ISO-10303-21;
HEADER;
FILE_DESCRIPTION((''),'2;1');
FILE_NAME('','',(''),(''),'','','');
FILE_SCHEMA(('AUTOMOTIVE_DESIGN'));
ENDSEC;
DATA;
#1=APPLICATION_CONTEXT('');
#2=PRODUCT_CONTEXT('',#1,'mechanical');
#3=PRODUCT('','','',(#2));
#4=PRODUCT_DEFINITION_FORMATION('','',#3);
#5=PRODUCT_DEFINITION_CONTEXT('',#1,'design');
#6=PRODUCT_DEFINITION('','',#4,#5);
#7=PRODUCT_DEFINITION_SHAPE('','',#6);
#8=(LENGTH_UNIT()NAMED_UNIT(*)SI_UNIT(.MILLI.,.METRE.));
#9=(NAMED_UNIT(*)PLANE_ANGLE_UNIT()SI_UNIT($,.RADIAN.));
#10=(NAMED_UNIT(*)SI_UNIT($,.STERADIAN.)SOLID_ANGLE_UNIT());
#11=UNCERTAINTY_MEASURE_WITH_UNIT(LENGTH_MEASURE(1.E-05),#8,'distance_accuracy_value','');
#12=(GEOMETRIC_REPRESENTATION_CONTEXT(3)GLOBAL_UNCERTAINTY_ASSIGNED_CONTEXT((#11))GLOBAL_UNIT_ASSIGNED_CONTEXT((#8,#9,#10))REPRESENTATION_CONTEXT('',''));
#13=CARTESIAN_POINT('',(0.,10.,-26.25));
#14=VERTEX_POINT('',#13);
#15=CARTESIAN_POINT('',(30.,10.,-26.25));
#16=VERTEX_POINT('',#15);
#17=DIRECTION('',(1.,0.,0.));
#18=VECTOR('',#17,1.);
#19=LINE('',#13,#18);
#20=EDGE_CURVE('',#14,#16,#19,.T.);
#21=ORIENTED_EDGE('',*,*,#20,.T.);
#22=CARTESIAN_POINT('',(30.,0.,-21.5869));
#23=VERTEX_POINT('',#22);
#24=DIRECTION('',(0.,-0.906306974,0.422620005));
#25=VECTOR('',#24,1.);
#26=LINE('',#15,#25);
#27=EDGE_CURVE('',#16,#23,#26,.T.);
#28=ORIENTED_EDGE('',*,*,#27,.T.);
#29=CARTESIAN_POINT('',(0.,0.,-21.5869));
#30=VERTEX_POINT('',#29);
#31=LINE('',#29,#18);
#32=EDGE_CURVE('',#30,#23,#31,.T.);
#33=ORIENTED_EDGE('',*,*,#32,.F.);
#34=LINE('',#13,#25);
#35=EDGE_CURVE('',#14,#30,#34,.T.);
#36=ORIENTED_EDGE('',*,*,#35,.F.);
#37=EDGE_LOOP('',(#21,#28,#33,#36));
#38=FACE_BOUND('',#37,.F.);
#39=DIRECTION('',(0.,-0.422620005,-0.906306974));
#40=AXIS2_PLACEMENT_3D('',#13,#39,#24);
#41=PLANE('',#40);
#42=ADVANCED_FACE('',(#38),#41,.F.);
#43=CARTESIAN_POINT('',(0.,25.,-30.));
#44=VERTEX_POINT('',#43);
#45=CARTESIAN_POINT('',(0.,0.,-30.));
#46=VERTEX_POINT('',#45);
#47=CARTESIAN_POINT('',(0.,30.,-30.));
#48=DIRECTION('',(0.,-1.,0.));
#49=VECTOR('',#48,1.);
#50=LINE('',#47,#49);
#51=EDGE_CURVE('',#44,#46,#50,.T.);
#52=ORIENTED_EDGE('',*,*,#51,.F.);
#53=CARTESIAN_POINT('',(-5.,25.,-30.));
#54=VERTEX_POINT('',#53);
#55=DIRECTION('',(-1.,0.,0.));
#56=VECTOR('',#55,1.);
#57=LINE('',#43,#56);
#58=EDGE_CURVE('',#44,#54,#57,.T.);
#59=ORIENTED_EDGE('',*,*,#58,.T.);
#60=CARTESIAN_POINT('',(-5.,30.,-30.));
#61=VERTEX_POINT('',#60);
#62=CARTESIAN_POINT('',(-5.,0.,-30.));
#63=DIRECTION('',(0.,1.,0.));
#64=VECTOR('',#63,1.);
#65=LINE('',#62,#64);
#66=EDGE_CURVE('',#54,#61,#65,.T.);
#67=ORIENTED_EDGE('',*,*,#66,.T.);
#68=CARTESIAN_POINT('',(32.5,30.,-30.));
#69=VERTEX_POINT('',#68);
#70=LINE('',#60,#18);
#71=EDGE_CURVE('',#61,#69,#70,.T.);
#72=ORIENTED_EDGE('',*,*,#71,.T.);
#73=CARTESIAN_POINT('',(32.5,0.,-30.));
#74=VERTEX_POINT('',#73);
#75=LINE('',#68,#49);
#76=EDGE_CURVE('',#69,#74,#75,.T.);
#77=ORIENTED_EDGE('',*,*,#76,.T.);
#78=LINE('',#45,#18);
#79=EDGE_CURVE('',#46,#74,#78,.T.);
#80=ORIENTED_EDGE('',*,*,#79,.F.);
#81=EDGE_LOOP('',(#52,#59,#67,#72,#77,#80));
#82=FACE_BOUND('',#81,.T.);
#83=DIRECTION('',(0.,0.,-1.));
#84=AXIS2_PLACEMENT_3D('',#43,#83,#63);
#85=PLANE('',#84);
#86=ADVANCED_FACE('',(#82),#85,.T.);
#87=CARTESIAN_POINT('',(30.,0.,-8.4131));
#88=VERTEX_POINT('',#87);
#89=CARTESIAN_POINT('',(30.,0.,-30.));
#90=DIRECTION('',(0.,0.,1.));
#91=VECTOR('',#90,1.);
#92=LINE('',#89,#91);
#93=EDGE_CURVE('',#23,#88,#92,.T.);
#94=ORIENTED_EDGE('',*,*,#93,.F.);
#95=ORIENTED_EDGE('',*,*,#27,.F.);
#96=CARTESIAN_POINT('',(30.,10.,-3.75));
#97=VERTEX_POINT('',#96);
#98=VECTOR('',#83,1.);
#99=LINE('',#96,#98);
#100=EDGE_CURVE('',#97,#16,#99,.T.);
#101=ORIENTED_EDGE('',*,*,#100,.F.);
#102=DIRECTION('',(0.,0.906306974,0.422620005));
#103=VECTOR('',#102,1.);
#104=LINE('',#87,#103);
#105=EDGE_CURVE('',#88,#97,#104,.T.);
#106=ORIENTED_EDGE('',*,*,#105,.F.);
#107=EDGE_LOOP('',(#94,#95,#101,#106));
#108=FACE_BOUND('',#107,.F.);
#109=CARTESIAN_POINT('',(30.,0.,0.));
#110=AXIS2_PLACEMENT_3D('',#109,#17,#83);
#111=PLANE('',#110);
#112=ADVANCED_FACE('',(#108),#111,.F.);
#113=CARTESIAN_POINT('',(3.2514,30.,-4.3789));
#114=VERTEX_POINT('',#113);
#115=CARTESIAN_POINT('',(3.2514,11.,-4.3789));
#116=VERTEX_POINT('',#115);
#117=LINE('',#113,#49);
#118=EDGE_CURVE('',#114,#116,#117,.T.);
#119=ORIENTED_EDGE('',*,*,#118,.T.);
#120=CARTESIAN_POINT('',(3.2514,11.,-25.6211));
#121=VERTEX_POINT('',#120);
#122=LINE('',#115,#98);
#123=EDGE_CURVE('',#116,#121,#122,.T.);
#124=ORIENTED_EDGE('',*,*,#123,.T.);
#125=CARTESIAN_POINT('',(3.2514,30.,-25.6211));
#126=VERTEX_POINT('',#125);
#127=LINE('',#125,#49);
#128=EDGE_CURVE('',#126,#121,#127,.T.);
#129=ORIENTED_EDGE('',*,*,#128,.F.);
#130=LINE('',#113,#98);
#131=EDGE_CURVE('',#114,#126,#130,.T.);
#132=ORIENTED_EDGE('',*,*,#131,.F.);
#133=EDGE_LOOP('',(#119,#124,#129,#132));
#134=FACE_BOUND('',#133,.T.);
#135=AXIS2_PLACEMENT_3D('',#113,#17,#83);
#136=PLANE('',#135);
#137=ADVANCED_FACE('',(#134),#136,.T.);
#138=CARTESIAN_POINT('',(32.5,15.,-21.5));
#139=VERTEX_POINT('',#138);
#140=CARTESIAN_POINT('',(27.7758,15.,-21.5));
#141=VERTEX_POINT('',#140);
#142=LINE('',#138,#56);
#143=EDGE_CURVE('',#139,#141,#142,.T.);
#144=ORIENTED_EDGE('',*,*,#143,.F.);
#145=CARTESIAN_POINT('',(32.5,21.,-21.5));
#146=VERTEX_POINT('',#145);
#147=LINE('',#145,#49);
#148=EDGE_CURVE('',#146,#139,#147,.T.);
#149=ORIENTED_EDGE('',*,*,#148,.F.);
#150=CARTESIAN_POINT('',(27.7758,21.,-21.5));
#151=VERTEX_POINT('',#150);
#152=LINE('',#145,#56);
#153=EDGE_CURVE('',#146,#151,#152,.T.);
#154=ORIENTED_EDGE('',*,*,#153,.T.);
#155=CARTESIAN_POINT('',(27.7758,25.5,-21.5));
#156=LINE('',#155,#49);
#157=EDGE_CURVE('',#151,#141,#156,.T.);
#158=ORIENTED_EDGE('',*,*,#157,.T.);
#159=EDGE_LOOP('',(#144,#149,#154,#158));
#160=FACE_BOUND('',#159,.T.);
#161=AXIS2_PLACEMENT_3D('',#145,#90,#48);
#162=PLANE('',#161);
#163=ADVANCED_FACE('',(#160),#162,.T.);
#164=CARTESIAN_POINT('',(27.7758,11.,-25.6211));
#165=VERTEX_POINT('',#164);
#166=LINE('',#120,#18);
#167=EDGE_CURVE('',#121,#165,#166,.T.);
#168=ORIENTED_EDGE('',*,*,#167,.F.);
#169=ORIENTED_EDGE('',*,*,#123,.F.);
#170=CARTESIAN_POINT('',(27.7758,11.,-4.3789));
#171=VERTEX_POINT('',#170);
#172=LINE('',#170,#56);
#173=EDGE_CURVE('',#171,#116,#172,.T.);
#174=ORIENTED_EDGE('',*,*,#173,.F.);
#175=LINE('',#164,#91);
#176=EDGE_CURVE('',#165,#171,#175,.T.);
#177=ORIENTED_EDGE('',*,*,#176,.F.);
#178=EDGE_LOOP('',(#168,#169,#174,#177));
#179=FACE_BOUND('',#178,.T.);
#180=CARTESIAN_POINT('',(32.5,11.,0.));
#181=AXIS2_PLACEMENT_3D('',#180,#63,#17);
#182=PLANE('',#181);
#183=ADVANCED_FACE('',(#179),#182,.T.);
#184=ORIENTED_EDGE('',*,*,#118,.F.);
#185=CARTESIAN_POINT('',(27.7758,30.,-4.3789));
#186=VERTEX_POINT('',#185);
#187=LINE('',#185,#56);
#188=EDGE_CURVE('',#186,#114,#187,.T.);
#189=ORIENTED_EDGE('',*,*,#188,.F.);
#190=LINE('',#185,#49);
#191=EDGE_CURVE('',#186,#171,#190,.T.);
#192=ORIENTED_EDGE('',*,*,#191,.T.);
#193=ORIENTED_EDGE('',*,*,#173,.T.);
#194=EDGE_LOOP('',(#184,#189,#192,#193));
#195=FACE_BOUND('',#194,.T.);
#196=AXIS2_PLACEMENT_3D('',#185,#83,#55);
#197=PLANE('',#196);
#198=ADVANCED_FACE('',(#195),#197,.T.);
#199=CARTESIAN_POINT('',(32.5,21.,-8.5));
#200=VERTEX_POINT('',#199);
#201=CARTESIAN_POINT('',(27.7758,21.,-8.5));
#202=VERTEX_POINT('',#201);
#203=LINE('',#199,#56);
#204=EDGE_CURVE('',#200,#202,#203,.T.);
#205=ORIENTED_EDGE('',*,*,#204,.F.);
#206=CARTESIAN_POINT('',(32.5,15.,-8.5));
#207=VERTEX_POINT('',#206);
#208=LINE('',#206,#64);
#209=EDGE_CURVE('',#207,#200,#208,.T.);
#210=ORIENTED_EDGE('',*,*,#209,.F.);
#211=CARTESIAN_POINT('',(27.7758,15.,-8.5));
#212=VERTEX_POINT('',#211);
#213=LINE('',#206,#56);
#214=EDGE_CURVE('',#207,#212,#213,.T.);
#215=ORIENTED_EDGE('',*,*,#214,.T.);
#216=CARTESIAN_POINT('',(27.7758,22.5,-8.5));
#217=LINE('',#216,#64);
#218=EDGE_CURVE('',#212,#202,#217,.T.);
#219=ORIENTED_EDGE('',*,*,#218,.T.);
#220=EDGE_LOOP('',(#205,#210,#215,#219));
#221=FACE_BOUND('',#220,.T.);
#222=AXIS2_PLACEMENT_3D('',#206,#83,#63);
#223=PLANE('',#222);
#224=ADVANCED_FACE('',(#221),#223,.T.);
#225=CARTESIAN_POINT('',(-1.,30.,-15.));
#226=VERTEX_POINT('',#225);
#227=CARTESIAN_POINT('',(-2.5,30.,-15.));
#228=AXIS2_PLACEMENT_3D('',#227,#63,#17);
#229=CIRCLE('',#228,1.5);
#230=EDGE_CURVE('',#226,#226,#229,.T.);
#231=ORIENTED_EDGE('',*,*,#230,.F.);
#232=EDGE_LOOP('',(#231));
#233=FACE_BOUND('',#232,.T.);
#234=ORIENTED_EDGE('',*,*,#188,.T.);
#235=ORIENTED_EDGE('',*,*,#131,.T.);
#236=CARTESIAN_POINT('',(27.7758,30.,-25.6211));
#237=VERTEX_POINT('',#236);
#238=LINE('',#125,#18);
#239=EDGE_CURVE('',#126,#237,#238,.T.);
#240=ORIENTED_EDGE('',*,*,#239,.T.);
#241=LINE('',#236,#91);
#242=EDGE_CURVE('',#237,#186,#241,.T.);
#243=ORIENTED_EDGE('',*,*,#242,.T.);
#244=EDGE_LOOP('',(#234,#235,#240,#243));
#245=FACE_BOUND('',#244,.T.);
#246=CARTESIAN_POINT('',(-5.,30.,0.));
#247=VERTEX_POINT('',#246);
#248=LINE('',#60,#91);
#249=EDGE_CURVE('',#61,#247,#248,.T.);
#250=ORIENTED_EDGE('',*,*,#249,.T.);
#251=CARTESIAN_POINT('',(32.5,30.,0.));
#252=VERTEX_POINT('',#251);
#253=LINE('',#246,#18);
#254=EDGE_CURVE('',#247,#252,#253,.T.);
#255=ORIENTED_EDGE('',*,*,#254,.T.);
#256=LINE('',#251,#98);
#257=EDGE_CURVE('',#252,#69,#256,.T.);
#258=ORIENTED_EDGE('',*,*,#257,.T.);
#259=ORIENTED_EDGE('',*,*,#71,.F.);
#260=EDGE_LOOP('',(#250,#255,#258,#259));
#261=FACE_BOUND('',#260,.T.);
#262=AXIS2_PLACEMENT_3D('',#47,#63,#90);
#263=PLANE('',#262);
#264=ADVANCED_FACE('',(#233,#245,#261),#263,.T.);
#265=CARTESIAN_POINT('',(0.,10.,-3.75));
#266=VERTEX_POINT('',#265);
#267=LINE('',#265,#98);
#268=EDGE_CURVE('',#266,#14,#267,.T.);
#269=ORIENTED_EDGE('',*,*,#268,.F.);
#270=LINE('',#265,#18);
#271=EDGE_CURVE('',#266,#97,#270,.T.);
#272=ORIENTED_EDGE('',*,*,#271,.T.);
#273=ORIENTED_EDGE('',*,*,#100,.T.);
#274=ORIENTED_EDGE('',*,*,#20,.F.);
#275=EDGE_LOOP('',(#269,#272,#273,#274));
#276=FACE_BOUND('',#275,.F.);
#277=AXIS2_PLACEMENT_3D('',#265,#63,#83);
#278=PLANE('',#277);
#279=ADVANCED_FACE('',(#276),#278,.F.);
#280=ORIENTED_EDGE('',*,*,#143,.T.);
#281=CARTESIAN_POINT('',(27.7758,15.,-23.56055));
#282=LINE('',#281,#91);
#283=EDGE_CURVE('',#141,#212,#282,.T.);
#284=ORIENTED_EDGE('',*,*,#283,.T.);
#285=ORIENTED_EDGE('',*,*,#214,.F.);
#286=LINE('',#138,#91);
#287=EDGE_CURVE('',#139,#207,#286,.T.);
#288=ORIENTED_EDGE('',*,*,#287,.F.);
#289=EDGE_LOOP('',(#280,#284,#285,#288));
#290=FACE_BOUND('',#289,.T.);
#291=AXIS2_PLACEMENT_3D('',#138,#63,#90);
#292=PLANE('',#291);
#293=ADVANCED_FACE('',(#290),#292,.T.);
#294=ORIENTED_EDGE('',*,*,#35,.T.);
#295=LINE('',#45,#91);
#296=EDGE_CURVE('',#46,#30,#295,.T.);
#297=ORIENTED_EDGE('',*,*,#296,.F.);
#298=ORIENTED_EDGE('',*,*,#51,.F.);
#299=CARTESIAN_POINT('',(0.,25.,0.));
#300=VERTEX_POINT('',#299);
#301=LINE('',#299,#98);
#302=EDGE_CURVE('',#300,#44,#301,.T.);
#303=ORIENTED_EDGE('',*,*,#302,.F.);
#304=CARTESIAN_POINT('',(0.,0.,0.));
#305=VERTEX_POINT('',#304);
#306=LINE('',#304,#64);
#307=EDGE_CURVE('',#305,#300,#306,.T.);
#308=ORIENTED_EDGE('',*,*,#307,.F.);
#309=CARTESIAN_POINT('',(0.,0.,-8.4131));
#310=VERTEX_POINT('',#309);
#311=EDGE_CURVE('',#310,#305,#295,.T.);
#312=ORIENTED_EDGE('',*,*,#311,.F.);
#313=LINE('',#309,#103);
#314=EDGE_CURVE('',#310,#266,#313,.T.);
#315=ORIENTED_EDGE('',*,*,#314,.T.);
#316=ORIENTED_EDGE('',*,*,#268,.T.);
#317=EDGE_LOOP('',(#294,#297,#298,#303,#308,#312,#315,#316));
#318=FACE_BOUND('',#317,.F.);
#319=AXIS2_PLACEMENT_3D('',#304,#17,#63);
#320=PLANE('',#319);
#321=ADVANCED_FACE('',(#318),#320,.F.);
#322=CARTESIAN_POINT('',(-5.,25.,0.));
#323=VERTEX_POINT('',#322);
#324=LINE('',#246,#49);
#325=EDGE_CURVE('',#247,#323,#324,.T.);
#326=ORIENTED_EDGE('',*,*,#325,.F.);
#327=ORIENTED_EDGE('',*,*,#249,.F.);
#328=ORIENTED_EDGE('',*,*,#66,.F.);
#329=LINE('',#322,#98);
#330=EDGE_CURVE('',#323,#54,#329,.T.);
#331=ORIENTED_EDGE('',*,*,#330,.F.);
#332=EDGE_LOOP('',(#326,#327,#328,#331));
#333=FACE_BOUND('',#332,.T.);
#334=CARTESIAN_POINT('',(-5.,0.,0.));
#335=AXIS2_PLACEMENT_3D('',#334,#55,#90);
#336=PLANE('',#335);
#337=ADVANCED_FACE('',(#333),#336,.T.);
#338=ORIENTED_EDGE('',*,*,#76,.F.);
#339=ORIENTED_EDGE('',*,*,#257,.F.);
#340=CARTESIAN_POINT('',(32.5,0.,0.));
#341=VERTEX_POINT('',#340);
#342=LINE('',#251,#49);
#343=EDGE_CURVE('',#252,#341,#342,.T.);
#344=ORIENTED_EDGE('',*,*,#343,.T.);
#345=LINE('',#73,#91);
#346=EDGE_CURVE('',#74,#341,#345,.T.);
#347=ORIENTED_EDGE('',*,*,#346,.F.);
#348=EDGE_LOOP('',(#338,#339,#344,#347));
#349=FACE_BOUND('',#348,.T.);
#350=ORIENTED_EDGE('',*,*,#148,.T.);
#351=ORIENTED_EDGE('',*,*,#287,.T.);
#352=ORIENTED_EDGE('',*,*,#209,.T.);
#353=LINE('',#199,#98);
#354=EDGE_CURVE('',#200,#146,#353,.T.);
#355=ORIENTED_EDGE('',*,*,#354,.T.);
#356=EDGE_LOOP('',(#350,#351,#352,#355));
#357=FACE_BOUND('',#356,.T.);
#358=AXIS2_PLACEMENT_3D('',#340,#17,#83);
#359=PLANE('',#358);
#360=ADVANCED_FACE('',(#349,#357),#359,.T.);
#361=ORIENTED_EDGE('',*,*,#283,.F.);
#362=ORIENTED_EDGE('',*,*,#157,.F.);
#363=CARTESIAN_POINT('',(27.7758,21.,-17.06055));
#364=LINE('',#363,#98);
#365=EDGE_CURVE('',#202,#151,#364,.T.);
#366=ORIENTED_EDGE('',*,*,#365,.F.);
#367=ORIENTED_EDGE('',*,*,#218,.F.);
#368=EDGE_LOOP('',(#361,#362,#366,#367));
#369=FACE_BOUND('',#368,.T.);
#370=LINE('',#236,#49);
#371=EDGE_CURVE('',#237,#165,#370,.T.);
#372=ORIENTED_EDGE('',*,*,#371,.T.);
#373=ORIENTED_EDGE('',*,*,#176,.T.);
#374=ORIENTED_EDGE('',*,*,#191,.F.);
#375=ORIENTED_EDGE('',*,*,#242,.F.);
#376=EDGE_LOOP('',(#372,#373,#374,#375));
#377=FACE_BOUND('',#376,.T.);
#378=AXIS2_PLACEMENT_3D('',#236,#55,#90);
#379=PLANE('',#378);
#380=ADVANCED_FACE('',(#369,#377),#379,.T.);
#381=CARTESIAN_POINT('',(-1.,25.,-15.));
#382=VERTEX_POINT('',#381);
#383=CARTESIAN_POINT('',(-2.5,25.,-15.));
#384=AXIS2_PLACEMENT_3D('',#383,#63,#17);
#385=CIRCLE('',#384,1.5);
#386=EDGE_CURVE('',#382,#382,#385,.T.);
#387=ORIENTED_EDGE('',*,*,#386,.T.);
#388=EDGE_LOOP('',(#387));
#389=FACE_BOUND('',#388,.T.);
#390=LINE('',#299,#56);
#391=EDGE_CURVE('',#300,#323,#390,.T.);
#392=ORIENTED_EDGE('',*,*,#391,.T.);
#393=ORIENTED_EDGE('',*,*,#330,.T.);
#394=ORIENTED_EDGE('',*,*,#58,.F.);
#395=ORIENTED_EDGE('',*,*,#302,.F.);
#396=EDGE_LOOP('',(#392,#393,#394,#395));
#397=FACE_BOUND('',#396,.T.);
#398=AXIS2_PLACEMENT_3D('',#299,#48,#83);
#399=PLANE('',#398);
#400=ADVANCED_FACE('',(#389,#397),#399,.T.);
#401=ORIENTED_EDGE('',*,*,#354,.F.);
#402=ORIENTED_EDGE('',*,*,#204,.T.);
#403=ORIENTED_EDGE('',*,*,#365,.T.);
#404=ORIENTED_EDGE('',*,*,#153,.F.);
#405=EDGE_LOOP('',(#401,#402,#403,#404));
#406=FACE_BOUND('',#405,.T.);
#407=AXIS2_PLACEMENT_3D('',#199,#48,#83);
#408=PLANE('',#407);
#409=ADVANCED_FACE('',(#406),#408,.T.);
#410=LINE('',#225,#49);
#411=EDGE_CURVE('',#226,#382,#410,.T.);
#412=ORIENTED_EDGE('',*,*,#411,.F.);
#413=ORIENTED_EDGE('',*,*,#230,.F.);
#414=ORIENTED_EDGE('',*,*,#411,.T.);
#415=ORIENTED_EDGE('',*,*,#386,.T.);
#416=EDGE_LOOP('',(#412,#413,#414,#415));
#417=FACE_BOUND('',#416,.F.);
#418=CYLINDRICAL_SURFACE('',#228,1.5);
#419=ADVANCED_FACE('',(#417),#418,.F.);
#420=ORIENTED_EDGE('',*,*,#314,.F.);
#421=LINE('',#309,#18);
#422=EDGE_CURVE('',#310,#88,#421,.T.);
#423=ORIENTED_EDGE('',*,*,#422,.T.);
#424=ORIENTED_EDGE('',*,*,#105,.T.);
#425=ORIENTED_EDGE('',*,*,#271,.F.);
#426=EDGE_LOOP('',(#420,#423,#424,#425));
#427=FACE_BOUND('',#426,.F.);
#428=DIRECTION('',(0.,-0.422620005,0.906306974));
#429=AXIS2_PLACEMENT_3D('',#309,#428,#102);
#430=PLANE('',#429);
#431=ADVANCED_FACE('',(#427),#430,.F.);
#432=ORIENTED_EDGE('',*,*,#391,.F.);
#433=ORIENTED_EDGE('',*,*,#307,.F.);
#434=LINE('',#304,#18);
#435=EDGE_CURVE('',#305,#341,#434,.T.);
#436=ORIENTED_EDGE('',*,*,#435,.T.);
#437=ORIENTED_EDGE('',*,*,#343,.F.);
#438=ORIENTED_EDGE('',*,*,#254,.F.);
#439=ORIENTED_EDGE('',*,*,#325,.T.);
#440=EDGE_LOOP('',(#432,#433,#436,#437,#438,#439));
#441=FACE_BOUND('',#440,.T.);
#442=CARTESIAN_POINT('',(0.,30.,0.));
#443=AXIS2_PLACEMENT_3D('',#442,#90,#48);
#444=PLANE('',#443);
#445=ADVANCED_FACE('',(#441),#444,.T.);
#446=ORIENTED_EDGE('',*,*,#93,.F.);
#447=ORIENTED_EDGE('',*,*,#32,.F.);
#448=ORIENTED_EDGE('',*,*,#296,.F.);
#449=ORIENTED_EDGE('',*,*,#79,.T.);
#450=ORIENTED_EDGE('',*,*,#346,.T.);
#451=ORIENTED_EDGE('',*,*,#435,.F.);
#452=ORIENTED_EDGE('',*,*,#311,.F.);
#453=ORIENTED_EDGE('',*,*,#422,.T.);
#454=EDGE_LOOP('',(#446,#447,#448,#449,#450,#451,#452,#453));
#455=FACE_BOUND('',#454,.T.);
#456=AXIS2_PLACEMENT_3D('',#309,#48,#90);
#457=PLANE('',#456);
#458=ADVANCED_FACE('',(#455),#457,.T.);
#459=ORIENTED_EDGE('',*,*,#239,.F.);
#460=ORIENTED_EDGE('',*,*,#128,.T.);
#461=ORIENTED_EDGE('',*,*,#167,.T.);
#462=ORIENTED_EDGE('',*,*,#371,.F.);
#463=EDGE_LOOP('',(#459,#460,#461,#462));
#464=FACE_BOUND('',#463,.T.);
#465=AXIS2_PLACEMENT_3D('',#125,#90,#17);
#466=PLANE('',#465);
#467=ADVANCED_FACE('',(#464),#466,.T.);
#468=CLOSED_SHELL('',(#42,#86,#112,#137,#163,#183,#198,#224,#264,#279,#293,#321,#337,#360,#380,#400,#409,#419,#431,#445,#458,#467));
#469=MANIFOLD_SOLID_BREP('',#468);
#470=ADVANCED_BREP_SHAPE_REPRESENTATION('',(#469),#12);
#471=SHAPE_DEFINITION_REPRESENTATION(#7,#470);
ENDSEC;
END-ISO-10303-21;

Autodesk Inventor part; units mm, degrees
ref_plane "YZ Plane" through (0, 0, 0) normal (1, 0, 0) x (0, 1, 0)
ref_plane "XZ Plane" through (0, 0, 0) normal (0, 1, 0) x (-1, 0, 0)
ref_plane "XY Plane" through (0, 0, 0) normal (0, 0, 1) x (1, 0, 0)
sketch "Sketch1" plane through (0, 0, 0) normal (1, 0, 0) x (0, 1, 0)
  line L0 (0, 0) -> (30, 0)
  line L1 (30, 0) -> (30, -30)
  line L2 (30, -30) -> (0, -30)
  line L3 (0, -30) -> (0, 0)
  line L4 (0, -8.4131) -> (10, -3.75)
  line L5 (10, -3.75) -> (10, -26.25)
  line L6 (10, -26.25) -> (0, -21.5869)
  point P0 (10, -15)
  point P1 (0, -15)
  dimension "d0" = 30
  dimension "d1" = 30
  dimension "d2" = 10
  dimension "d3" = 22.5
  dimension "d4" = 65
  dimension "d5" = 65
extrude "Extrusion1" add sketch "Sketch1" along normal blind 30 contours L0 L1 L2 L3 L6 L5 L4
sketch "Sketch2" plane through (30, 0, 0) normal (1, 0, 0) x (0, 0, -1)
  line L0 (0, 30) -> (0, 0) projected
  line L1 (21.5869, 0) -> (30, 0) projected
  line L2 (0, 30) -> (30, 30)
  line L3 (30, 30) -> (30, 0)
  line L4 (30, 0) -> (0, 0)
  line L5 (0, 0) -> (0, 30)
  point P0 (21.5869, 0)
extrude "Extrusion2" add sketch "Sketch2" along normal blind 2.5
sketch "Sketch3" plane through (0, 0, 0) normal (-1, 0, 0) x (0, 0, 1)
  line L0 (-30, 0) -> (-30, 30) projected
  line L1 (0, 30) -> (0, 0) projected
  line L2 (-30, 30) -> (0, 30)
  line L3 (0, 30) -> (0, 25)
  line L4 (0, 25) -> (-30, 25)
  line L5 (-30, 25) -> (-30, 30)
  point P0 (0, 30)
  dimension "d10" = 5
extrude "Extrusion3" add sketch "Sketch3" along normal blind 5
sketch "Sketch4" plane through (32.5, 30, 0) normal (0, 1, 0) x (1, 0, 0)
  line L0 (-32.5, 0) -> (-37.5, 0) projected
  line L1 (-32.5, 0) -> (-32.5, 30) construction
  circle A0 centre (-35, 15) radius 1.5
  dimension "d13" = 3
extrude "Extrusion4" cut sketch "Sketch4" against normal through all
sketch "Sketch5" plane through (32.5, 30, 0) normal (0, 1, 0) x (1, 0, 0)
  line L0 (-29.2486, 25.6211) -> (-4.7242, 25.6211)
  line L1 (-4.7242, 25.6211) -> (-4.7242, 4.3789)
  line L2 (-4.7242, 4.3789) -> (-29.2486, 4.3789)
  line L3 (-29.2486, 4.3789) -> (-29.2486, 25.6211)
  line L4 (0, 30) -> (0, 0) projected
  point P0 (-32.5, 0)
  point P1 (0, 15)
  point P2 (-4.7242, 15)
  point P3 (0, 15)
extrude "Extrusion5" cut sketch "Sketch5" against normal blind 19
sketch "Sketch6" plane through (32.5, 0, 0) normal (1, 0, 0) x (0, 0, -1)
  line L0 (25.6211, 11) -> (4.3789, 11) projected
  line L1 (8.5, 21) -> (21.5, 21)
  line L2 (21.5, 21) -> (21.5, 15)
  line L3 (21.5, 15) -> (8.5, 15)
  line L4 (8.5, 15) -> (8.5, 21)
  point P0 (0, 0)
  point P1 (15, 15)
  point P2 (15, 11)
  dimension "d18" = 13
  dimension "d19" = 6
  dimension "d20" = 4
extrude "Extrusion6" cut sketch "Sketch6" against normal up to next
properties part number "Top Sensor Mount"
